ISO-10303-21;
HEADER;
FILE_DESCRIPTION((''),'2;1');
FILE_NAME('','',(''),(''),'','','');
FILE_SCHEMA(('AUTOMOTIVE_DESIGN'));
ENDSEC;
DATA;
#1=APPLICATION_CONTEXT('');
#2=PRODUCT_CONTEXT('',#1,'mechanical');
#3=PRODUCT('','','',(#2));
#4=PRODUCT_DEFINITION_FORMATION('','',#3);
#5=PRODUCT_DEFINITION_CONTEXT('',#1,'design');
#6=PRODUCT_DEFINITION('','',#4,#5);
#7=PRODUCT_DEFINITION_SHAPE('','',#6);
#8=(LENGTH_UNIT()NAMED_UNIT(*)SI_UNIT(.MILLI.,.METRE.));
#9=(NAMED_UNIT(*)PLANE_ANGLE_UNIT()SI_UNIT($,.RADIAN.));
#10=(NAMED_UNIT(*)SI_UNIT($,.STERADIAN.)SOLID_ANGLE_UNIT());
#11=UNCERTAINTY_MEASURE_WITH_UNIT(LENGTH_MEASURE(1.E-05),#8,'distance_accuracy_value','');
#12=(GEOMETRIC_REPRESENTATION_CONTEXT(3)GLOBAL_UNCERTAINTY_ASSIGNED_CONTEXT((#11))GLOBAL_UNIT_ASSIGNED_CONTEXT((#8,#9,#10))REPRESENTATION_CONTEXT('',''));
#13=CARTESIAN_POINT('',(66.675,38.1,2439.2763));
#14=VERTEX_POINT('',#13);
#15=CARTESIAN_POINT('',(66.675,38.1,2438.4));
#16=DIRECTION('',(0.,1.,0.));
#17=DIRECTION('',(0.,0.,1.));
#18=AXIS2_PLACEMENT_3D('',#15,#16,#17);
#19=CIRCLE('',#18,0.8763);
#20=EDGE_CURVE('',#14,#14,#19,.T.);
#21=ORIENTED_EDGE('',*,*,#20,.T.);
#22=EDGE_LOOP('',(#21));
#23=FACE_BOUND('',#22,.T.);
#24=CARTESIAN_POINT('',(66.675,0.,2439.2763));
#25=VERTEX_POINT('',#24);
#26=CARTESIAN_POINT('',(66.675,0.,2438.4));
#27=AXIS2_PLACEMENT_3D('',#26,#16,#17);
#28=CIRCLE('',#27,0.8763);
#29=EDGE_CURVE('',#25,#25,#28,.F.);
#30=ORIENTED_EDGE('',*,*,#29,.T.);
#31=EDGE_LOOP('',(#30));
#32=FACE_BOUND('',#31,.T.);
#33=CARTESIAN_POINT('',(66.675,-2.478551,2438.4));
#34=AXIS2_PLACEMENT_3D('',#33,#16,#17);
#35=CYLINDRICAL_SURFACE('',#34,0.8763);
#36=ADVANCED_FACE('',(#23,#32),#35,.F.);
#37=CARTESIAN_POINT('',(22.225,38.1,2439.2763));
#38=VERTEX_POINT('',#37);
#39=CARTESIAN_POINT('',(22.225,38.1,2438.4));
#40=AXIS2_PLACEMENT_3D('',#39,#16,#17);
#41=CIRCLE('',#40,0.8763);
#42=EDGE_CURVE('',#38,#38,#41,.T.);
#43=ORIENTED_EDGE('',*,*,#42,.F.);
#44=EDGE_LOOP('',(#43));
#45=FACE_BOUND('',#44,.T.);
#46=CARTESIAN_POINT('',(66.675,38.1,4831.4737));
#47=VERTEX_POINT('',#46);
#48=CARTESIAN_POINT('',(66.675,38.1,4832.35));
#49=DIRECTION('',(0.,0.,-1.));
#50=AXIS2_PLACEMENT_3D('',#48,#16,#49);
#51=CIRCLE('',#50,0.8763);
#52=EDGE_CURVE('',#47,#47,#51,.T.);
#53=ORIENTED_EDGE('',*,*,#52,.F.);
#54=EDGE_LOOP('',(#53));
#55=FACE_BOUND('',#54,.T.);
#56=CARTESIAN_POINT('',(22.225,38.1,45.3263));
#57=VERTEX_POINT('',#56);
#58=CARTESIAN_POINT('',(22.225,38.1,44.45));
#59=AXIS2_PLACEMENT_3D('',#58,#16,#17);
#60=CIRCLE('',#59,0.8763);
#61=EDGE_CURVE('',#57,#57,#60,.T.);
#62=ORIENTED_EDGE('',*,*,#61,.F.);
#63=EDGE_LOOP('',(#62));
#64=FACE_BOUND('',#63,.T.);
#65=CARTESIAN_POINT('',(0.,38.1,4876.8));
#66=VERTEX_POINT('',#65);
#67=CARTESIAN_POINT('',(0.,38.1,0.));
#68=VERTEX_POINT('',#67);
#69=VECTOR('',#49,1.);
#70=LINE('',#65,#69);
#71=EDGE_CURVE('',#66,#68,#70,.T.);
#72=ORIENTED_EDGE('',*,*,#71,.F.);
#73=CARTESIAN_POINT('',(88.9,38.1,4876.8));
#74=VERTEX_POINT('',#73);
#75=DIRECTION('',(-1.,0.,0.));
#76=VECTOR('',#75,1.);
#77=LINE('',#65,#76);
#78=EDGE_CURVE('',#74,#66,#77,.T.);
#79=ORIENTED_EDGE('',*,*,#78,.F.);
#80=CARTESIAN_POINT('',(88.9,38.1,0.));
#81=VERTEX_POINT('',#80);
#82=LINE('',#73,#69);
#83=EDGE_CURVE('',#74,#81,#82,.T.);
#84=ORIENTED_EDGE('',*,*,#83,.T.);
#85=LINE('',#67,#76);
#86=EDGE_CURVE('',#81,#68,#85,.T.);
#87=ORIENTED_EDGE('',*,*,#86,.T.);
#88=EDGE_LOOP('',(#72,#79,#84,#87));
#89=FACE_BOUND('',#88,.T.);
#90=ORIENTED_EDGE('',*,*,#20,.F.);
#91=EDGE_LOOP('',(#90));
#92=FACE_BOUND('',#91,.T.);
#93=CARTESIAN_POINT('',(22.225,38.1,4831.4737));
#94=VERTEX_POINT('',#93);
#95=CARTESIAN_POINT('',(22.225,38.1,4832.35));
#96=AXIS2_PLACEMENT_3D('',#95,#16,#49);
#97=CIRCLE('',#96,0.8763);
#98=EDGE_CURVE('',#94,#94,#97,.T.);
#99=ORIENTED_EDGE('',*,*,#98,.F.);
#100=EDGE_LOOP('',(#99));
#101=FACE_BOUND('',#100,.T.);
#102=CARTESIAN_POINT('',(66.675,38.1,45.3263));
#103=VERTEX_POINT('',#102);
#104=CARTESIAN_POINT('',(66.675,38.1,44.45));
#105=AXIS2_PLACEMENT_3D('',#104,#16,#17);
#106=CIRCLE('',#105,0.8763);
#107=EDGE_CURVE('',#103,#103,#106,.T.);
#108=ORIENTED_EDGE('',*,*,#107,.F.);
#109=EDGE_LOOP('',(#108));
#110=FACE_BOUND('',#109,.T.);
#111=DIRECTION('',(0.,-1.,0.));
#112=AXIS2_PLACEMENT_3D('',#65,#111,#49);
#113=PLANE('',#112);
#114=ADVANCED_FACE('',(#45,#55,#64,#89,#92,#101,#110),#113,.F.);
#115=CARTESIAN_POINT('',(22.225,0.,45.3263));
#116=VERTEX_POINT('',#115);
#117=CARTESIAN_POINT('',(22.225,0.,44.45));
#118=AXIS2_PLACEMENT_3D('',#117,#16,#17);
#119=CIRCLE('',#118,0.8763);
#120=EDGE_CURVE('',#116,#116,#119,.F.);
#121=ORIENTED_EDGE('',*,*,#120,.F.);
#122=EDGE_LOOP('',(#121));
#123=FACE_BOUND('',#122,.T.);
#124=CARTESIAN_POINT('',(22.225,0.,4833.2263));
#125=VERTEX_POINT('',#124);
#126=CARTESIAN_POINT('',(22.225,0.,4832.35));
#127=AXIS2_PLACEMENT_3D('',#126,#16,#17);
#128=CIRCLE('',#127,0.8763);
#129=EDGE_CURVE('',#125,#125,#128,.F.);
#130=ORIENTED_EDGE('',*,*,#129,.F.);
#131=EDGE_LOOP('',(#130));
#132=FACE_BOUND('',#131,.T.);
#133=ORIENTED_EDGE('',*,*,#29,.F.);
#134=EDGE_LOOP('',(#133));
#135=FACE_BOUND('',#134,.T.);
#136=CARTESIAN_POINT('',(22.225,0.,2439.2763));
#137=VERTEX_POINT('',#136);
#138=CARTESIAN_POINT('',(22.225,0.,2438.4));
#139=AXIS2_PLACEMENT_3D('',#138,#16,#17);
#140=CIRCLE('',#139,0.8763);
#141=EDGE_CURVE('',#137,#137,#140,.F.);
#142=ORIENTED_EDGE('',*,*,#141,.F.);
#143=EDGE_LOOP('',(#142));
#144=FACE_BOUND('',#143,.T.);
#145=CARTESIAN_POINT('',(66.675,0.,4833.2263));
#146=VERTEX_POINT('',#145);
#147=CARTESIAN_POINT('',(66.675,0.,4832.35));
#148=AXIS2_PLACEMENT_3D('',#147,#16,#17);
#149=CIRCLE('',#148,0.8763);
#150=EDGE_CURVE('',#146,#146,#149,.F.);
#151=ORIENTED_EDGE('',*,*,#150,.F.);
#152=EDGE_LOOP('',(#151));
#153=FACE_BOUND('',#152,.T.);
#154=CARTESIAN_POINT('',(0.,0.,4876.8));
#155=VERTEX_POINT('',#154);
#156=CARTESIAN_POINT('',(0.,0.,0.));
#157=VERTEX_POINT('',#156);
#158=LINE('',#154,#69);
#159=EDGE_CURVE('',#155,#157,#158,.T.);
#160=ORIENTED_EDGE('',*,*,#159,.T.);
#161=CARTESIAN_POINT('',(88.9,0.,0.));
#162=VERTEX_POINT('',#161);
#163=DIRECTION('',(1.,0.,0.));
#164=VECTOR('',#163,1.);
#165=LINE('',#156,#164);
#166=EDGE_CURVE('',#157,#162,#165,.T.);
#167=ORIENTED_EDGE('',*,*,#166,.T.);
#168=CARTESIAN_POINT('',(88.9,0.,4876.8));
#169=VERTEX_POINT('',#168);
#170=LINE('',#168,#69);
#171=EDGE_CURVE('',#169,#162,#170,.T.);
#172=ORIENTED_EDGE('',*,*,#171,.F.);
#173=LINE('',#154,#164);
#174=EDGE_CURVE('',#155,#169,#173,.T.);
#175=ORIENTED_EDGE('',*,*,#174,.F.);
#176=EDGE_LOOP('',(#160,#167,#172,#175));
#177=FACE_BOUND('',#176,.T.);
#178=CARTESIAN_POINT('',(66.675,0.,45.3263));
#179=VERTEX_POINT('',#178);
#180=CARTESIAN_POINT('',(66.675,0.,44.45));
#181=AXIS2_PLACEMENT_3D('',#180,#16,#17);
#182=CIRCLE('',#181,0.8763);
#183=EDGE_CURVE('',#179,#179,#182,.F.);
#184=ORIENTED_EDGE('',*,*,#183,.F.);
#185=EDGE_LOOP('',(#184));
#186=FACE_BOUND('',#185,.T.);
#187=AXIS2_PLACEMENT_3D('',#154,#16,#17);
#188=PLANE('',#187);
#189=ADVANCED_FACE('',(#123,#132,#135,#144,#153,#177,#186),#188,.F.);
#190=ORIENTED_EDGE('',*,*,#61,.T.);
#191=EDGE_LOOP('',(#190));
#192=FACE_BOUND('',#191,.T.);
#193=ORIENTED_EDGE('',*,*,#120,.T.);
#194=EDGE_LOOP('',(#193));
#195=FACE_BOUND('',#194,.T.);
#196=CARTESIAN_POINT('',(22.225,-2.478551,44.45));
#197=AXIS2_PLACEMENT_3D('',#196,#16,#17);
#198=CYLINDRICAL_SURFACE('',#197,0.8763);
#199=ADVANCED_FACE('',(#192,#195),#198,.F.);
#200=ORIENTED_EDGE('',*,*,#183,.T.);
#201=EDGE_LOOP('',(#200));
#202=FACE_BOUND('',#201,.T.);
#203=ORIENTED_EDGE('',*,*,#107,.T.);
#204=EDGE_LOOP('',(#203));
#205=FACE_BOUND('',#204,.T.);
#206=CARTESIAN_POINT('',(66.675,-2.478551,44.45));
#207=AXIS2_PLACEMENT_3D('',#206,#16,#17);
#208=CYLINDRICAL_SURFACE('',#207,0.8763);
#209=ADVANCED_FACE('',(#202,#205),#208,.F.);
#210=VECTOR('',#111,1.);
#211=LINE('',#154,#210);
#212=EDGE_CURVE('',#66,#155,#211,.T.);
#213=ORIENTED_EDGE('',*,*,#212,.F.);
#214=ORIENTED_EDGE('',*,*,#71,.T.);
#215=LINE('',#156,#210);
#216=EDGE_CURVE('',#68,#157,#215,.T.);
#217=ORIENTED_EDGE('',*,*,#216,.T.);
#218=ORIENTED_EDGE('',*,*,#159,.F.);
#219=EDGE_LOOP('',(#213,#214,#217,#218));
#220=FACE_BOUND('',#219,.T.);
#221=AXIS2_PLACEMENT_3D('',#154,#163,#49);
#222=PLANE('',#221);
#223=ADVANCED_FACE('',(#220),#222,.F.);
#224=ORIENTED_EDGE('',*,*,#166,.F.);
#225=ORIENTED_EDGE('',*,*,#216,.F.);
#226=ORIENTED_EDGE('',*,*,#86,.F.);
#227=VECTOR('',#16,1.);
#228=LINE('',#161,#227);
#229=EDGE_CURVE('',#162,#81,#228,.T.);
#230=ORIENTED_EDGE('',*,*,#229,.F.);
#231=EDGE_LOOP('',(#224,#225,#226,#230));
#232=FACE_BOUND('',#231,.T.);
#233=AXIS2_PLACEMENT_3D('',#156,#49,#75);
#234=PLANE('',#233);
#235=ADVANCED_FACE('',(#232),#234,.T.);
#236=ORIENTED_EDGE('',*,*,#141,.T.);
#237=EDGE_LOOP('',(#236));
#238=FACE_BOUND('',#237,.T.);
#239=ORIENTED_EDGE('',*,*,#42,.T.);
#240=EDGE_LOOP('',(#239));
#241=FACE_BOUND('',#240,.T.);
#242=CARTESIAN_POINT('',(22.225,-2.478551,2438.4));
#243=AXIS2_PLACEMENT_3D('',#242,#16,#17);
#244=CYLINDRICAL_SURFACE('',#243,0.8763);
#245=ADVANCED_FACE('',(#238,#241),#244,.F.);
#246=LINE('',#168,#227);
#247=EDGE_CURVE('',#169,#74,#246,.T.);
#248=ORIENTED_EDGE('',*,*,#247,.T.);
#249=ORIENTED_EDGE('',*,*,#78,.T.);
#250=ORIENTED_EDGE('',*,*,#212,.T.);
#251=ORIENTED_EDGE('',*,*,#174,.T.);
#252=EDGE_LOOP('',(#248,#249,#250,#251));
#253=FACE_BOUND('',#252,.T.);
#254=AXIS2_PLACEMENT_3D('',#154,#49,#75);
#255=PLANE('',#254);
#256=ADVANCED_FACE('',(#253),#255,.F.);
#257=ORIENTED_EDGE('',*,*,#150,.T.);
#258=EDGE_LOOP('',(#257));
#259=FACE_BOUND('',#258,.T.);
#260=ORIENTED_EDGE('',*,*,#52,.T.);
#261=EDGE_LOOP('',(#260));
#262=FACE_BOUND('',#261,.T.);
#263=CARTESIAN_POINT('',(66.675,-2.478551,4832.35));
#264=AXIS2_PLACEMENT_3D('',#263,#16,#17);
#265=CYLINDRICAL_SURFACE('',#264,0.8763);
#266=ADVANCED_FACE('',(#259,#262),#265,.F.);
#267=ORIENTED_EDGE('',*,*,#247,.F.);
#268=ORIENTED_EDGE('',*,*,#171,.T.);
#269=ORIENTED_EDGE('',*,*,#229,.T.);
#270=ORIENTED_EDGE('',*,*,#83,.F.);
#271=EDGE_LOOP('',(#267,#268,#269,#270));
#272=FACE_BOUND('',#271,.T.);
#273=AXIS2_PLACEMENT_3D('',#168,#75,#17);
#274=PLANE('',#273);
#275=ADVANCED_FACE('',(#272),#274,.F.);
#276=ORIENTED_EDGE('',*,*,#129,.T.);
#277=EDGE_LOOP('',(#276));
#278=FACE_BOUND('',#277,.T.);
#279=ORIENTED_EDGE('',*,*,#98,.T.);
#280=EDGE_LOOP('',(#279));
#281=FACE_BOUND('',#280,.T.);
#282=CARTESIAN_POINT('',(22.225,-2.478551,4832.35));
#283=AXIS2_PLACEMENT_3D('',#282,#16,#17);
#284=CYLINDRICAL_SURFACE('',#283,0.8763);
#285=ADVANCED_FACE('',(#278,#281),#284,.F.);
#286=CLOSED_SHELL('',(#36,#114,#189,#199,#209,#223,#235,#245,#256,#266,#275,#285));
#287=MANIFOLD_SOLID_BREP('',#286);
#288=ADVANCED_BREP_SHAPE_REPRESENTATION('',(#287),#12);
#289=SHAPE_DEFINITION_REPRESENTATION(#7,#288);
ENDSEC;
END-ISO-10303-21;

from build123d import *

# Parameters (mm, degrees)
SKETCH1_W           = 88.9
SKETCH1_H           = 38.1
BOSS_EXTRUDE1_DEPTH = 4876.8
SKETCH3_R           = 0.8763
CUT_EXTRUDE2_DEPTH  = 38.1


with BuildPart() as part:
    # Sketch1 → Boss-Extrude1 (new body)
    with BuildSketch(Plane.XY):
        with Locations((44.45, 19.05)):
            Rectangle(SKETCH1_W, SKETCH1_H)
    extrude(amount=BOSS_EXTRUDE1_DEPTH)

    # Sketch3 → Cut-Extrude2 (cut)
    with BuildSketch(Plane(origin=(0, 38.1, 0), x_dir=(1, 0, 0), z_dir=(0, 1, 0))):
        with Locations((66.675, -2438.4)):
            Circle(SKETCH3_R)
        with Locations((22.225, -2438.4)):
            Circle(SKETCH3_R)
        with Locations((66.675, -44.45)):
            Circle(SKETCH3_R)
        with Locations((22.225, -44.45)):
            Circle(SKETCH3_R)
        with Locations((22.225, -4832.35)):
            Circle(SKETCH3_R)
        with Locations((66.675, -4832.35)):
            Circle(SKETCH3_R)
    extrude(amount=-CUT_EXTRUDE2_DEPTH, mode=Mode.SUBTRACT)


solid = part.part
